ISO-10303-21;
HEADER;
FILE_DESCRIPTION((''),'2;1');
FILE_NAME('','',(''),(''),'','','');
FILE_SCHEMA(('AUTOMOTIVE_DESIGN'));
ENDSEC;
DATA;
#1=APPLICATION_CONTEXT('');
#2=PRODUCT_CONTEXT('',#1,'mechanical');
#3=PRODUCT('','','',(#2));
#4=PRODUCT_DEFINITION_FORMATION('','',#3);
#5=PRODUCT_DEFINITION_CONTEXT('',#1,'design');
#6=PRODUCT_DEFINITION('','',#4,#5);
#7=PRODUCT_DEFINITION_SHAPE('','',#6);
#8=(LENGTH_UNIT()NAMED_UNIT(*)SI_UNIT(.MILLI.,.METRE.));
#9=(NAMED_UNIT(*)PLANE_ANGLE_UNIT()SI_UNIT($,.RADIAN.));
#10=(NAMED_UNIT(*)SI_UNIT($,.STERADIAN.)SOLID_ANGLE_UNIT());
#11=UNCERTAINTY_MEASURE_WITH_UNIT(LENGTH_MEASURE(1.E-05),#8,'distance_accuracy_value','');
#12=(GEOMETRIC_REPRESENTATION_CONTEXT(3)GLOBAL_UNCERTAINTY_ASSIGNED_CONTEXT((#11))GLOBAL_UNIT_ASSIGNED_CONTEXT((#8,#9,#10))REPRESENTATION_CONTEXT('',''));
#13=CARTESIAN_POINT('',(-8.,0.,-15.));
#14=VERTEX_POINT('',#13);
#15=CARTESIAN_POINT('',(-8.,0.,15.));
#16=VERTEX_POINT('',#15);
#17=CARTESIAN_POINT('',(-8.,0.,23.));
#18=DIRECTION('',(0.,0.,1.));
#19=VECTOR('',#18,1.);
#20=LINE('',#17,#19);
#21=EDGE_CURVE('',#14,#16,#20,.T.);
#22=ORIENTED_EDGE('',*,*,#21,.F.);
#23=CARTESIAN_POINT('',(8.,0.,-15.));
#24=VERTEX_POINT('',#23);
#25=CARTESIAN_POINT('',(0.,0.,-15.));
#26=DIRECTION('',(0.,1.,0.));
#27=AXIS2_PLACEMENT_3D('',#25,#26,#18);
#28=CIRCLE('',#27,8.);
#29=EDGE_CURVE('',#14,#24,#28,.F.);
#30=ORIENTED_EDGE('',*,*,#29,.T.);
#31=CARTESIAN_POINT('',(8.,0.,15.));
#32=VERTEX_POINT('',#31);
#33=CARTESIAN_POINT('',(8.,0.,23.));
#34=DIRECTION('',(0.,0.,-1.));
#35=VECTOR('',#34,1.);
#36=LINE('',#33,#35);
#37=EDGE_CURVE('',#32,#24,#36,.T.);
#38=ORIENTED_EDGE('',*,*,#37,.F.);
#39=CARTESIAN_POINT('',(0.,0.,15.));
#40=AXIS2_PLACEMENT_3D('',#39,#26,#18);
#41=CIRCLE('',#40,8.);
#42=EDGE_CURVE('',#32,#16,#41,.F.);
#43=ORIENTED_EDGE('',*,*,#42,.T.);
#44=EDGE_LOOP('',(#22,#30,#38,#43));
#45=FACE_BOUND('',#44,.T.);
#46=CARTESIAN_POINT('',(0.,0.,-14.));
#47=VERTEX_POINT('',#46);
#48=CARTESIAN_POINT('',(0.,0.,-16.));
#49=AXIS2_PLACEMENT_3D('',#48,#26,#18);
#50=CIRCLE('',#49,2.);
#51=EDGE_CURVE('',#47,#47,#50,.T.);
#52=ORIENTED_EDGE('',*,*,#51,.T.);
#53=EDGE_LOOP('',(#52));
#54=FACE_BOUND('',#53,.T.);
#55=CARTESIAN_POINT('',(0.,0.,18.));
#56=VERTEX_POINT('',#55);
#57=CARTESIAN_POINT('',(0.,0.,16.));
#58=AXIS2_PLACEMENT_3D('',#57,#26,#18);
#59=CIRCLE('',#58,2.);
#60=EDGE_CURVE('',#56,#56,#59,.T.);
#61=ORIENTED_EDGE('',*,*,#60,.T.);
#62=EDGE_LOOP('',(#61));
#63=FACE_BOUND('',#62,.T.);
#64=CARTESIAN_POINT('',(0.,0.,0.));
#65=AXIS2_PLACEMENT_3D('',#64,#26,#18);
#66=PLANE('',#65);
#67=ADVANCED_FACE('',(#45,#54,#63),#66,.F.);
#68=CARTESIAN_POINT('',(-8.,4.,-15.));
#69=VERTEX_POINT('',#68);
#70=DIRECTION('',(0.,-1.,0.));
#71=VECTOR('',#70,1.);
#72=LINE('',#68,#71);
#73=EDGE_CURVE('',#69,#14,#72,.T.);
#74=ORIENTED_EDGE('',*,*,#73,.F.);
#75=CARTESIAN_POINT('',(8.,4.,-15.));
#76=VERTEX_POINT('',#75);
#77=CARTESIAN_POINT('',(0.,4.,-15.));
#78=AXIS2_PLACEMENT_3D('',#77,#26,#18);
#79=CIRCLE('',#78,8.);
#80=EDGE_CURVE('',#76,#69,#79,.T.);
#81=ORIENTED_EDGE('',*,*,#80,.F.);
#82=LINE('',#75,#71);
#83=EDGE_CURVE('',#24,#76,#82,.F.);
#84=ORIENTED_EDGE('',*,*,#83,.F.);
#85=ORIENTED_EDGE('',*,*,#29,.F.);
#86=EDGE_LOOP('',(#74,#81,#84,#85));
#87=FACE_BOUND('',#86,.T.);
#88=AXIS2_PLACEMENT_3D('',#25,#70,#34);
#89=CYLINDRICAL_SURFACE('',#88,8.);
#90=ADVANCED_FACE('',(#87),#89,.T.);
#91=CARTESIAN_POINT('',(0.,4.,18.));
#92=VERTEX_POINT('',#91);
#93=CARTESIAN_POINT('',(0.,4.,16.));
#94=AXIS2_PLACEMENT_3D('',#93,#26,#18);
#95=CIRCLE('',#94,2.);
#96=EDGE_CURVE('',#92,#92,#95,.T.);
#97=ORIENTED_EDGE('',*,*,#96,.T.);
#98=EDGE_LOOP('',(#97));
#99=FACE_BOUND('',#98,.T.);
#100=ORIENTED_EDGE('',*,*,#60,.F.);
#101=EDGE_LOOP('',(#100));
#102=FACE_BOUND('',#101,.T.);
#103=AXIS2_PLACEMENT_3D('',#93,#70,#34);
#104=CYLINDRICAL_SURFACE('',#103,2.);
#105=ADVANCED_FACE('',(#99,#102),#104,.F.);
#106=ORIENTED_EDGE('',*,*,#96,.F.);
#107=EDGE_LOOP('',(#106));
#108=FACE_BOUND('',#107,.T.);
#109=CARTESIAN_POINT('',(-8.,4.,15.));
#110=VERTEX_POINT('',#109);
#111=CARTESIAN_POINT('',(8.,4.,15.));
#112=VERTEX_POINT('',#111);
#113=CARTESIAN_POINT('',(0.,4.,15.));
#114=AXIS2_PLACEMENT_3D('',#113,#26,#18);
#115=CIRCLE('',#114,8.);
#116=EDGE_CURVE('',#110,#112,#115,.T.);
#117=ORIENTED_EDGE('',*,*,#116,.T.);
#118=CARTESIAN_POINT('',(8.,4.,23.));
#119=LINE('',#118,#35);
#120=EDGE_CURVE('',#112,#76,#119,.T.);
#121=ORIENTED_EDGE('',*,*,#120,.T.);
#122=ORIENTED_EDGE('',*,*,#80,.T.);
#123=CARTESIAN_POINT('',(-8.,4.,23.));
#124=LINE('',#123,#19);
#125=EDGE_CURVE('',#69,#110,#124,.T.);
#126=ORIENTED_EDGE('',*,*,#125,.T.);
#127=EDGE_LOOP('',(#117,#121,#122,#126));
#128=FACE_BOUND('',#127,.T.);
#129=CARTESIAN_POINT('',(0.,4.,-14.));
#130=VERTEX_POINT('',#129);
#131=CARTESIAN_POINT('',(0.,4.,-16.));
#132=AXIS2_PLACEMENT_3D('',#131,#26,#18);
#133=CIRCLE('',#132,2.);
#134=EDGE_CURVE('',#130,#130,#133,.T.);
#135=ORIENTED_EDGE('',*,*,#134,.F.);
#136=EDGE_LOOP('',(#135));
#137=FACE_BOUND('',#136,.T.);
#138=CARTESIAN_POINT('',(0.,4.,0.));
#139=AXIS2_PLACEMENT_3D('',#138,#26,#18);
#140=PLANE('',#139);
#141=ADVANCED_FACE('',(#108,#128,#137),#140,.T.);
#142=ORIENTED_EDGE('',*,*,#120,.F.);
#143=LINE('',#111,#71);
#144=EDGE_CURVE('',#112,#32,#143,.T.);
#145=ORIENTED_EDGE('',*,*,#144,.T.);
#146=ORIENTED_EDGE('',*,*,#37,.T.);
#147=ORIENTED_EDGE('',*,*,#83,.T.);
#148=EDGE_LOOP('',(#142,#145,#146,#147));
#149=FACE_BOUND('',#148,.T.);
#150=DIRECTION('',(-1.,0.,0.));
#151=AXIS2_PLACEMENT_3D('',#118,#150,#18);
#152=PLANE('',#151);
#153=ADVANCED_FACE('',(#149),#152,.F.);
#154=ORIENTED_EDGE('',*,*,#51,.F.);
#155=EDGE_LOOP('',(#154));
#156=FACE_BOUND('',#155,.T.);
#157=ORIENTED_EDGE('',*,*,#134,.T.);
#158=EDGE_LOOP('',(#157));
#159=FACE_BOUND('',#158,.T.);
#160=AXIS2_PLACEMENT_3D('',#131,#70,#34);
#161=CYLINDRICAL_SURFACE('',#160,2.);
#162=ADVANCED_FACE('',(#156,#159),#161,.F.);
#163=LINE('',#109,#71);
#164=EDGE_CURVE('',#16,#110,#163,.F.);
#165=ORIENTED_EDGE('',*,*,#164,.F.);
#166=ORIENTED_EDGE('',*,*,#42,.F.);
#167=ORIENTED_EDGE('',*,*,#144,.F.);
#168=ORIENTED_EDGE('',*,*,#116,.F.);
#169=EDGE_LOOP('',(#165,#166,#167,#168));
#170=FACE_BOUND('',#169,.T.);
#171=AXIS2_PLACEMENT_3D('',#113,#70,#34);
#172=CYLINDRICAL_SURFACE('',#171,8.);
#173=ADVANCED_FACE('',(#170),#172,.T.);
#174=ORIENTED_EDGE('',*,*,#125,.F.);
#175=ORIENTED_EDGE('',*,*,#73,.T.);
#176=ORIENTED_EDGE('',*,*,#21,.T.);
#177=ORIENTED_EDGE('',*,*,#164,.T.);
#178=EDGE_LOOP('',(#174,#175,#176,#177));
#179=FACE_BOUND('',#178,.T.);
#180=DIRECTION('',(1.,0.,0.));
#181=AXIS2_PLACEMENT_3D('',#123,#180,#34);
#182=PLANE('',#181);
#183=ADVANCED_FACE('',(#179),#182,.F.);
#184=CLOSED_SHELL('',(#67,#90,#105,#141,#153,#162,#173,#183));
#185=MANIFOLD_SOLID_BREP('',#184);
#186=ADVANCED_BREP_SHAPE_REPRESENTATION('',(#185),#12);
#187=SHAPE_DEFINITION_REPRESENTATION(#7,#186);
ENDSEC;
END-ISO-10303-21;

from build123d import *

# Parameters (mm, degrees)
SKETCH1_W           = 16
SKETCH1_H           = 46
SKETCH1_R           = 2
BOSS_EXTRUDE1_DEPTH = 4
FILLET1_RADIUS      = 8
FILLET1_LENGTH      = 4
FILLET2_RADIUS      = 8
FILLET2_LENGTH      = 4


with BuildPart() as part:
    # Sketch1 → Boss-Extrude1 (new body)
    with BuildSketch(Plane(origin=(0, 0, 0), x_dir=(1, 0, 0), z_dir=(0, 1, 0))):
        Rectangle(SKETCH1_W, SKETCH1_H)
        with Locations(Location((0, -16, 0), (0, 0, 270))):
            Circle(SKETCH1_R, mode=Mode.SUBTRACT)
        with Locations(Location((0, 16, 0), (0, 0, 270))):
            Circle(SKETCH1_R, mode=Mode.SUBTRACT)
    extrude(amount=BOSS_EXTRUDE1_DEPTH)

    # Fillet1: full round fillet: the end face becomes a half cylinder, R = half its width
    fillet1_face = Plane((0, 2, 23), x_dir=(0, 1, 0), z_dir=(0, 0, 1))  # on the end face: x along it, z out of the body
    fillet1_slab = fillet1_face.offset(-FILLET1_RADIUS / 2) * Box(FILLET1_LENGTH, 2 * FILLET1_RADIUS, FILLET1_RADIUS, mode=Mode.PRIVATE)  # the body's end, R deep
    fillet1_round = Plane((0, 2, 15), x_dir=(0, 0, 1), z_dir=(0, 1, 0)) * Cylinder(FILLET1_RADIUS, FILLET1_LENGTH, mode=Mode.PRIVATE)  # its axis R under the face
    add(fillet1_slab - fillet1_round, mode=Mode.SUBTRACT)

    # Fillet2: full round fillet: the end face becomes a half cylinder, R = half its width
    fillet2_face = Plane((0, 2, -23), x_dir=(0, 1, 0), z_dir=(0, 0, -1))  # on the end face: x along it, z out of the body
    fillet2_slab = fillet2_face.offset(-FILLET2_RADIUS / 2) * Box(FILLET2_LENGTH, 2 * FILLET2_RADIUS, FILLET2_RADIUS, mode=Mode.PRIVATE)  # the body's end, R deep
    fillet2_round = Plane((0, 2, -15), x_dir=(0, 0, -1), z_dir=(0, 1, 0)) * Cylinder(FILLET2_RADIUS, FILLET2_LENGTH, mode=Mode.PRIVATE)  # its axis R under the face
    add(fillet2_slab - fillet2_round, mode=Mode.SUBTRACT)


solid = part.part
